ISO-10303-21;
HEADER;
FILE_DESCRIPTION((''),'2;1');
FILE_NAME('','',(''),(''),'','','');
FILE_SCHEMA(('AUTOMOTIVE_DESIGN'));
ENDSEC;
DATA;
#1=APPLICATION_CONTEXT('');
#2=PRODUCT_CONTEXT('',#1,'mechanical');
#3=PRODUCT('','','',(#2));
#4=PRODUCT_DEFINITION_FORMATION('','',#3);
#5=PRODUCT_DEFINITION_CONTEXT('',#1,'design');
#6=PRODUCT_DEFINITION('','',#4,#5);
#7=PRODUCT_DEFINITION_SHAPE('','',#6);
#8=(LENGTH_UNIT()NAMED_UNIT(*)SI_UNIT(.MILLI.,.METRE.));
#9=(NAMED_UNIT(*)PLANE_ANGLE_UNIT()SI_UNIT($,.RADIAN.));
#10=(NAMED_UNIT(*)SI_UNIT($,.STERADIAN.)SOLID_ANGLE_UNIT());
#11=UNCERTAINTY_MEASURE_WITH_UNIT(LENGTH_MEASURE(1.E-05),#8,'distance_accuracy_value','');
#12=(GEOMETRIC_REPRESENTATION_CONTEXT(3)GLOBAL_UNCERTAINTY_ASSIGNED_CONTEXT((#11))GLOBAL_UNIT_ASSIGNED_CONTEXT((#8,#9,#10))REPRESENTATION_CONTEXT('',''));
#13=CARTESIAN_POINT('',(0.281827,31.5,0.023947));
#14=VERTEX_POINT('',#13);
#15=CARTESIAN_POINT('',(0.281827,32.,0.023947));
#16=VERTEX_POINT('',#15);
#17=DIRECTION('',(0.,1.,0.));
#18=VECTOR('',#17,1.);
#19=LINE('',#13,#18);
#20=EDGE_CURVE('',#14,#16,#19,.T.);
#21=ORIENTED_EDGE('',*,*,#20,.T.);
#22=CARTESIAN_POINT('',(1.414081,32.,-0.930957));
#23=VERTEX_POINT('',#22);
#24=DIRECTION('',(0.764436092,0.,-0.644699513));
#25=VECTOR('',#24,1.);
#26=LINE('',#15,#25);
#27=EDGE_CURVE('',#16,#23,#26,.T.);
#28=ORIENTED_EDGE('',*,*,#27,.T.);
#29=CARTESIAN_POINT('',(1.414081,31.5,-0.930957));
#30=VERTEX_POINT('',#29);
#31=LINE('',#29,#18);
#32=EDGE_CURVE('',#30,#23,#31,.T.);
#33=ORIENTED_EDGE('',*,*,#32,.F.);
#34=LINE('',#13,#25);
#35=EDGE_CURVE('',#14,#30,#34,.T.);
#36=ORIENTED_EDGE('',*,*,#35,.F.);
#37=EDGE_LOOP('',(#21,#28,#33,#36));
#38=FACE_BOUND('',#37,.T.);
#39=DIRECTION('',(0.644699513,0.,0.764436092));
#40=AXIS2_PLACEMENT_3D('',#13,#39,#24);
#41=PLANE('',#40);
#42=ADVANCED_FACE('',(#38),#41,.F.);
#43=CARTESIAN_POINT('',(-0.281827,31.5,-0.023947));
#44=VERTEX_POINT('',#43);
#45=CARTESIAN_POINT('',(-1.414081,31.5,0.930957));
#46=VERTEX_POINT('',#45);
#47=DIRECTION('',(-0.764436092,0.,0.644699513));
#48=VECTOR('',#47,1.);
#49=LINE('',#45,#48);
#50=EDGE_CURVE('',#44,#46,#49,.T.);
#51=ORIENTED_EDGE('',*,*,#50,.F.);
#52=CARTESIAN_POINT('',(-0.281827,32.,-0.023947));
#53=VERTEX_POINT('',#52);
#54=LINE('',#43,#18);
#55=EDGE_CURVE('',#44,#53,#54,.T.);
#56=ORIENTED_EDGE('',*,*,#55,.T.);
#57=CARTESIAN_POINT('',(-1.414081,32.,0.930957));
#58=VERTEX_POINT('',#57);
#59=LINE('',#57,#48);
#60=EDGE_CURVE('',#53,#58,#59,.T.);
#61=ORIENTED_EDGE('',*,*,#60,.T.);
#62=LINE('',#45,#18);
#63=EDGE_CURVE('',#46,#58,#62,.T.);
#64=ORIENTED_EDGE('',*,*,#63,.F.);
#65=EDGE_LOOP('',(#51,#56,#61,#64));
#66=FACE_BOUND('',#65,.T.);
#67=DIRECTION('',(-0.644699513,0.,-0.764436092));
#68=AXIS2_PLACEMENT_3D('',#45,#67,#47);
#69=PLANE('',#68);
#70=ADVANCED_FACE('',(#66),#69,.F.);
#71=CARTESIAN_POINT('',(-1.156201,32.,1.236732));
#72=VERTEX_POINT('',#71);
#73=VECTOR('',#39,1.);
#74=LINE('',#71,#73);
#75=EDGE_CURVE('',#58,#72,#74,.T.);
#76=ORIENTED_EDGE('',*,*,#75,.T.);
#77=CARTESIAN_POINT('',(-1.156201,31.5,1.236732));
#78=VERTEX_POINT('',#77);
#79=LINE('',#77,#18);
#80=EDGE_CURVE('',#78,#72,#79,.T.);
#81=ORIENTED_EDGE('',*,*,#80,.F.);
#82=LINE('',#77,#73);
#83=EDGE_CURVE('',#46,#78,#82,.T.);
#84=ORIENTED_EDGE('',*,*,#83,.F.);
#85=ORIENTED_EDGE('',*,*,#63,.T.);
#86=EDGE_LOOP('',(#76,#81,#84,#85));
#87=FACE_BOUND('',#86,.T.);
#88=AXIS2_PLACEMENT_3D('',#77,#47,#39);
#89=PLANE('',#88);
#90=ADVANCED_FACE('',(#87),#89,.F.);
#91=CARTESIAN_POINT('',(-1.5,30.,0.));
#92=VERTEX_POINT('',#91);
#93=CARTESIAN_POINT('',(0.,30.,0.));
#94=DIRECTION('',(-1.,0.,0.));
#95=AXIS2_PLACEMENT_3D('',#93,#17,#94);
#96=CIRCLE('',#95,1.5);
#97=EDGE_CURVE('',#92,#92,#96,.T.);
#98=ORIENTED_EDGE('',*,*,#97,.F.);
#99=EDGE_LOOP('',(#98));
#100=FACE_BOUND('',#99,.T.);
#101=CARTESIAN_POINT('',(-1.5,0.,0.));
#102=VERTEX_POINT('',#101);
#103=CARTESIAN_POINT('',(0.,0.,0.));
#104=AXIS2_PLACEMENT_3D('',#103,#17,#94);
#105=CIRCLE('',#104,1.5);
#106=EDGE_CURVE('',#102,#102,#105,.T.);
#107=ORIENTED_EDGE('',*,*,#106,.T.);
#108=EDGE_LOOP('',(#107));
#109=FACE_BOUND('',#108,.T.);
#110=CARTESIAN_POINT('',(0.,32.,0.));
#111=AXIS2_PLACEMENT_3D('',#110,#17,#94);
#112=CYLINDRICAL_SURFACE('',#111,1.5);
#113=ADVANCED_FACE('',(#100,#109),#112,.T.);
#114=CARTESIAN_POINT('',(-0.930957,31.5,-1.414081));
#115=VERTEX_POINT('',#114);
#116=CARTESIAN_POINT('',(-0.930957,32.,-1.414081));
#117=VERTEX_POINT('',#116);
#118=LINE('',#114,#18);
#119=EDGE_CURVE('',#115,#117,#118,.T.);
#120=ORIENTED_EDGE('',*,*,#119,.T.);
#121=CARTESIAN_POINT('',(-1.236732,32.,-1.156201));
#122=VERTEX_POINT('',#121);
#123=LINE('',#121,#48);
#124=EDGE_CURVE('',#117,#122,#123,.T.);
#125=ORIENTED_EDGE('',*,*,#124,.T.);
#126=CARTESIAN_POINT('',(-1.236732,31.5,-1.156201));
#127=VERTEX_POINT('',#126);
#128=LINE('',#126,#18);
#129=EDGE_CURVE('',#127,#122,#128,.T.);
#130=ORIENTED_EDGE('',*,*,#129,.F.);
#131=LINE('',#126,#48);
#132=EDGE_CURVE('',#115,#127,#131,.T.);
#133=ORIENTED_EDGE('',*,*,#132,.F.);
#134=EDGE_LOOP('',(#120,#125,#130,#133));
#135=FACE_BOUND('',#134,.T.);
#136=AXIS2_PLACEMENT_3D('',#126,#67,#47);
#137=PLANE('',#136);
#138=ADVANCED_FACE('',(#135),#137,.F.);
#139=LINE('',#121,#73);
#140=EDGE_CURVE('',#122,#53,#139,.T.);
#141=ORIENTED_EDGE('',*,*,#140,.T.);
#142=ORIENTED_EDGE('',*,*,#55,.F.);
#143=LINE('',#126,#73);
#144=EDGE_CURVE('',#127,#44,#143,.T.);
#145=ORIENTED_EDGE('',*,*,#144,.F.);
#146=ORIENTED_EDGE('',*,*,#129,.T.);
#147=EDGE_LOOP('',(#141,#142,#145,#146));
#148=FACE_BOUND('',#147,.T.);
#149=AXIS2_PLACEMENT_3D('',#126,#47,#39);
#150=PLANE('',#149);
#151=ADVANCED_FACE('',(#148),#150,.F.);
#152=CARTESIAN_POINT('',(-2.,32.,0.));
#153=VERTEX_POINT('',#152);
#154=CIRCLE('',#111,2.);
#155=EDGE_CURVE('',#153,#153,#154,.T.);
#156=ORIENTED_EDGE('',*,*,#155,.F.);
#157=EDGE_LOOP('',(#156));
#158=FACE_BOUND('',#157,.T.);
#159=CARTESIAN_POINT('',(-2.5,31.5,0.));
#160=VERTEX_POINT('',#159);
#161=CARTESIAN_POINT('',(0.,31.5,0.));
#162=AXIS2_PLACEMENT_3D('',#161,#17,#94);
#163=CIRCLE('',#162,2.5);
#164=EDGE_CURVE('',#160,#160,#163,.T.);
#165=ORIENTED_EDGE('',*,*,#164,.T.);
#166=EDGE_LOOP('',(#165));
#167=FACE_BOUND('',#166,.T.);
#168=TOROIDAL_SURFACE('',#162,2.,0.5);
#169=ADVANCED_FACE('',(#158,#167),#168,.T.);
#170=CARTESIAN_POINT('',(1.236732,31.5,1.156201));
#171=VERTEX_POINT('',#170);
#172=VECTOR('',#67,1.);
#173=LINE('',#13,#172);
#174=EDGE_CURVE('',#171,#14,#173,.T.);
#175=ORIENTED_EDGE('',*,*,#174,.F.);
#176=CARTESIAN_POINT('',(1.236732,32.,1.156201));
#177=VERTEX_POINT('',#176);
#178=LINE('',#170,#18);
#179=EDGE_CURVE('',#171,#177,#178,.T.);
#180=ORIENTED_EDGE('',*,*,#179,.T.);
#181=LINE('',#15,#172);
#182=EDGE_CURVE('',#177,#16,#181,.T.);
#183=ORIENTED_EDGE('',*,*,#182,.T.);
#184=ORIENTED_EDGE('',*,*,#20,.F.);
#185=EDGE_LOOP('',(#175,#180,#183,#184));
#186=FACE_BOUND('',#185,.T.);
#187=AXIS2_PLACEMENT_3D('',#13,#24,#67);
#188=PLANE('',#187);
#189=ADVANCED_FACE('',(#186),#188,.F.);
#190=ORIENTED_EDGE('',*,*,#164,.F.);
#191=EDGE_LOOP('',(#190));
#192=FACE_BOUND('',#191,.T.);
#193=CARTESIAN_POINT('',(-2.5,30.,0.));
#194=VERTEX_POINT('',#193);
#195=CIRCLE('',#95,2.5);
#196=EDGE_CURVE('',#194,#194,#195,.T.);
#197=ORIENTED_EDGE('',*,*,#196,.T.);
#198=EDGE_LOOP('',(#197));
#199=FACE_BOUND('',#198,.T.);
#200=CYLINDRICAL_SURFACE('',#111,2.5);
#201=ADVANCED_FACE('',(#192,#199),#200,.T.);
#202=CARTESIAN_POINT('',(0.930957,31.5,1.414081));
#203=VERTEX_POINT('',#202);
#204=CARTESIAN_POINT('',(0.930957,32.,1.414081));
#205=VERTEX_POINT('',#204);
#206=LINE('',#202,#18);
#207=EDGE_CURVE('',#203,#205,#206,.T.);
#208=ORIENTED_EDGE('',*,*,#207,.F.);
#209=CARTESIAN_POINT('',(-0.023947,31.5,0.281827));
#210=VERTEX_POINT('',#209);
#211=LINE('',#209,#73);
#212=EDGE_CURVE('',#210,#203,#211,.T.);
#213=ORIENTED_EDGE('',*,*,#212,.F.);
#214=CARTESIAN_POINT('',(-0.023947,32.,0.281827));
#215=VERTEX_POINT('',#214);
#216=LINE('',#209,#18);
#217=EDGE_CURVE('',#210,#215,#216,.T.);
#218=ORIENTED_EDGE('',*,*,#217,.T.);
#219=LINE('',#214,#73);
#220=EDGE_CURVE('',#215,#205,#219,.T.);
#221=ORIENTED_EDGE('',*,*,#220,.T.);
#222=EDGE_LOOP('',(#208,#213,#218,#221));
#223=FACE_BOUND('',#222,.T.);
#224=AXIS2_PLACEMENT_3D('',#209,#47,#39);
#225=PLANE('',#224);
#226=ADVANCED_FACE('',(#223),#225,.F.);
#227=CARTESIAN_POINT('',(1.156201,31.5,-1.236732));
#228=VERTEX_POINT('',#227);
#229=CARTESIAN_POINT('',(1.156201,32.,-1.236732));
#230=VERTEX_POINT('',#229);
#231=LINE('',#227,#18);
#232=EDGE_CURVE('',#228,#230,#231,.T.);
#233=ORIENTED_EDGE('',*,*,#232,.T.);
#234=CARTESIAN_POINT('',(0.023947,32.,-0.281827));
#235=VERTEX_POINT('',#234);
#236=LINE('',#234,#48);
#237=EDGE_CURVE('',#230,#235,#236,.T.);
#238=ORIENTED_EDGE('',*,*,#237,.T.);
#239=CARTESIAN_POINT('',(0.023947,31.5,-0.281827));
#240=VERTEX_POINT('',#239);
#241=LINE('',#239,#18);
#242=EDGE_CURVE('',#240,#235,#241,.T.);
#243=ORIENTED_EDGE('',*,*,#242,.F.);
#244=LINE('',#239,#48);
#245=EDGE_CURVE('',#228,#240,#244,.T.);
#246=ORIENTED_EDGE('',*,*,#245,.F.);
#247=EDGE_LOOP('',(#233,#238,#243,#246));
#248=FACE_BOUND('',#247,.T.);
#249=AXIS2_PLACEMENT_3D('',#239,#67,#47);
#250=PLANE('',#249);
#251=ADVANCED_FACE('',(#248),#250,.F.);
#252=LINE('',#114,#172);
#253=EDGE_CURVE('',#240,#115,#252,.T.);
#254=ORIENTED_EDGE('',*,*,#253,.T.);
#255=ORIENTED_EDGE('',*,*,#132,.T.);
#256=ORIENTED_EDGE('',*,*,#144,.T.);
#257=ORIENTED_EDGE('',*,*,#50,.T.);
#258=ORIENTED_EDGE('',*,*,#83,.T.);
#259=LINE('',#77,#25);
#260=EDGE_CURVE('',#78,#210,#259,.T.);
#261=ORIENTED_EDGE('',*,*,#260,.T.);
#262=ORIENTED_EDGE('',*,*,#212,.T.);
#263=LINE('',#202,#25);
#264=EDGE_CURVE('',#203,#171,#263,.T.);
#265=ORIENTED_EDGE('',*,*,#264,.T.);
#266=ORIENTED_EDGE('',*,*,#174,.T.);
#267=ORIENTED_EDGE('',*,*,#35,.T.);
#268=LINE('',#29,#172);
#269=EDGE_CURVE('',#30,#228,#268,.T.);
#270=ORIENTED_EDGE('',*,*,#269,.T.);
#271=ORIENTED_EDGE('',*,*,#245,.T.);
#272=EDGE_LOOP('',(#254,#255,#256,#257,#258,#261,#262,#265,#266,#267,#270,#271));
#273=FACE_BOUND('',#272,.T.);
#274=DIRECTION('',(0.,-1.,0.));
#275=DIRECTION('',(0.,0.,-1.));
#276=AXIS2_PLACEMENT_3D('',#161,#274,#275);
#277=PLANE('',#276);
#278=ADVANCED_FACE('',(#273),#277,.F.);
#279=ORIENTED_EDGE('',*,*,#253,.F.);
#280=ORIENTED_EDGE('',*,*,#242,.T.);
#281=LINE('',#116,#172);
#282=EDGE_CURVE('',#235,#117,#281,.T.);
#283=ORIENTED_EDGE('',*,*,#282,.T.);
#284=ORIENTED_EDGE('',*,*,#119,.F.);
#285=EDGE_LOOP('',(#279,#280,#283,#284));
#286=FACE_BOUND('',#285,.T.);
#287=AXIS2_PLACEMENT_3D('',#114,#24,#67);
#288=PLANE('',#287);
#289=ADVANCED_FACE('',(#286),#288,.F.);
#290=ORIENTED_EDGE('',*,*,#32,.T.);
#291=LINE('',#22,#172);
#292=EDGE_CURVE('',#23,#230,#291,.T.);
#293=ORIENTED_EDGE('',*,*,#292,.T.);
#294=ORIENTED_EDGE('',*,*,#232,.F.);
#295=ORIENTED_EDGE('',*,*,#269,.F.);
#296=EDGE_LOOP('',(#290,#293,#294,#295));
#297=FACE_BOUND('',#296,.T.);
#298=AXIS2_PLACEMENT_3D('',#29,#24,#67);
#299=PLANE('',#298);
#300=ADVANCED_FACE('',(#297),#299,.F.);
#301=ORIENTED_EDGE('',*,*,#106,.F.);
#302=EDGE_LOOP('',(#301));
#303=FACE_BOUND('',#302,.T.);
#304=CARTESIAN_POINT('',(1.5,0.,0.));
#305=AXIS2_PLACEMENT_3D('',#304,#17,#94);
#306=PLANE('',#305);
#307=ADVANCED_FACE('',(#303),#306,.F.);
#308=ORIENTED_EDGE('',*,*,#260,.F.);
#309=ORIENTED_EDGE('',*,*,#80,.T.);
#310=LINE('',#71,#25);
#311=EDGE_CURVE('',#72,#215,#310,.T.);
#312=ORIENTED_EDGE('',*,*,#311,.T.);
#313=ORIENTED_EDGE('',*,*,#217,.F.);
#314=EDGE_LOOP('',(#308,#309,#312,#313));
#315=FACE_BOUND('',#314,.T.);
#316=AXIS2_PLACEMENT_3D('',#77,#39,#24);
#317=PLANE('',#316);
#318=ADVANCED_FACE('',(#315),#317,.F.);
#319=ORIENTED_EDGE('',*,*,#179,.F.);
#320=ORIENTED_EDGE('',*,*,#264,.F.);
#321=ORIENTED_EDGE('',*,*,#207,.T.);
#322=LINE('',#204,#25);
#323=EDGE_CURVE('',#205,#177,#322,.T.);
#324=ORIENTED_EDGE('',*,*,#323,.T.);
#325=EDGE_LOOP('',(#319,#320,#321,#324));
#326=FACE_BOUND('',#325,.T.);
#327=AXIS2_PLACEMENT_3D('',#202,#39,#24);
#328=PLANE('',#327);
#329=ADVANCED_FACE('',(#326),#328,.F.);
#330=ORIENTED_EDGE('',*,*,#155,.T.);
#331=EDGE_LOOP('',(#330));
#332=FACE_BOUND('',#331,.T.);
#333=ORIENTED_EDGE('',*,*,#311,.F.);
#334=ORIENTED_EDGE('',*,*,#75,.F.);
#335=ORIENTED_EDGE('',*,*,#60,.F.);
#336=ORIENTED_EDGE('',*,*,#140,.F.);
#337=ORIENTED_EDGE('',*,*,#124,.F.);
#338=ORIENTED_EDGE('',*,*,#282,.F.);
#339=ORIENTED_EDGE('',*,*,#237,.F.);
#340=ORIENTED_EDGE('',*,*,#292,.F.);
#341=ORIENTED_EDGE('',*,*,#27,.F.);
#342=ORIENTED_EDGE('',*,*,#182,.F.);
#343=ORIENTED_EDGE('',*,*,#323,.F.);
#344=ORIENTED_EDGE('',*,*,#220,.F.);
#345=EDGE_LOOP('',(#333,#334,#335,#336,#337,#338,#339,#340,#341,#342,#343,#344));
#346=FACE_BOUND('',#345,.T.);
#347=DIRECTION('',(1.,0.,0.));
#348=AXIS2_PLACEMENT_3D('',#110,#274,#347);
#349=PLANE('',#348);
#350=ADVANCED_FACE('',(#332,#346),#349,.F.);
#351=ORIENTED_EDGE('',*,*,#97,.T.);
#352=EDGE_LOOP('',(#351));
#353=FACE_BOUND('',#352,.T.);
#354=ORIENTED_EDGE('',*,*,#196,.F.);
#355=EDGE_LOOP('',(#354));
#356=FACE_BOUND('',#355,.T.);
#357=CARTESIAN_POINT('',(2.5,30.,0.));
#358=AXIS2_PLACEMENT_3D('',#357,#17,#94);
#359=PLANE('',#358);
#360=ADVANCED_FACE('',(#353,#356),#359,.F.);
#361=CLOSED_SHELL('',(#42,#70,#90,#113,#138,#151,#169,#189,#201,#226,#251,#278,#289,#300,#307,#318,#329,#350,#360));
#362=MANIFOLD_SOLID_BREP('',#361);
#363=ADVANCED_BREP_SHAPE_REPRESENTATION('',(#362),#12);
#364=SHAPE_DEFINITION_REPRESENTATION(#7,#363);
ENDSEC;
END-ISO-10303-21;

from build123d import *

# Parameters (mm, degrees)
CORTE_EXTRUS_O1_DEPTH = 0.5


with BuildPart() as part:
    # Esboço1 → Revolução1 (revolve)
    with BuildSketch(Plane.XY, mode=Mode.PRIVATE) as revolu_o1_sk:
        with BuildLine():
            Line((0, 32), (2, 32))
            ThreePointArc((2, 32), (2.353553391, 31.853553391), (2.5, 31.5))
            Line((2.5, 31.5), (2.5, 30))
            Line((2.5, 30), (1.5, 30))
            Line((1.5, 30), (1.5, 0))
            Line((1.5, 0), (0, 0))
            Line((0, 0), (0, 32))
        make_face()
    revolve(revolu_o1_sk.sketch.rotate(Axis((0, 32, 0), (0, -1, 0)), 180), axis=Axis((0, 32, 0), (0, -1, 0)))

    # Esboço2 → Corte-extrusão1 (cut)
    with BuildSketch(Plane(origin=(0, 32, 0), x_dir=(1, 0, 0), z_dir=(0, 1, 0))):
        Polygon((-1.236731601, 1.156201078), (-0.281827121, 0.023947316), (-1.414080883, -0.930957165), (-1.156201078, -1.236731601), (-0.023947316, -0.281827121), (0.930957165, -1.414080883), (1.236731601, -1.156201078), (0.281827121, -0.023947316), (1.414080883, 0.930957165), (1.156201078, 1.236731601), (0.023947316, 0.281827121), (-0.930957165, 1.414080883), align=None)
    extrude(amount=-CORTE_EXTRUS_O1_DEPTH, mode=Mode.SUBTRACT)


solid = part.part
